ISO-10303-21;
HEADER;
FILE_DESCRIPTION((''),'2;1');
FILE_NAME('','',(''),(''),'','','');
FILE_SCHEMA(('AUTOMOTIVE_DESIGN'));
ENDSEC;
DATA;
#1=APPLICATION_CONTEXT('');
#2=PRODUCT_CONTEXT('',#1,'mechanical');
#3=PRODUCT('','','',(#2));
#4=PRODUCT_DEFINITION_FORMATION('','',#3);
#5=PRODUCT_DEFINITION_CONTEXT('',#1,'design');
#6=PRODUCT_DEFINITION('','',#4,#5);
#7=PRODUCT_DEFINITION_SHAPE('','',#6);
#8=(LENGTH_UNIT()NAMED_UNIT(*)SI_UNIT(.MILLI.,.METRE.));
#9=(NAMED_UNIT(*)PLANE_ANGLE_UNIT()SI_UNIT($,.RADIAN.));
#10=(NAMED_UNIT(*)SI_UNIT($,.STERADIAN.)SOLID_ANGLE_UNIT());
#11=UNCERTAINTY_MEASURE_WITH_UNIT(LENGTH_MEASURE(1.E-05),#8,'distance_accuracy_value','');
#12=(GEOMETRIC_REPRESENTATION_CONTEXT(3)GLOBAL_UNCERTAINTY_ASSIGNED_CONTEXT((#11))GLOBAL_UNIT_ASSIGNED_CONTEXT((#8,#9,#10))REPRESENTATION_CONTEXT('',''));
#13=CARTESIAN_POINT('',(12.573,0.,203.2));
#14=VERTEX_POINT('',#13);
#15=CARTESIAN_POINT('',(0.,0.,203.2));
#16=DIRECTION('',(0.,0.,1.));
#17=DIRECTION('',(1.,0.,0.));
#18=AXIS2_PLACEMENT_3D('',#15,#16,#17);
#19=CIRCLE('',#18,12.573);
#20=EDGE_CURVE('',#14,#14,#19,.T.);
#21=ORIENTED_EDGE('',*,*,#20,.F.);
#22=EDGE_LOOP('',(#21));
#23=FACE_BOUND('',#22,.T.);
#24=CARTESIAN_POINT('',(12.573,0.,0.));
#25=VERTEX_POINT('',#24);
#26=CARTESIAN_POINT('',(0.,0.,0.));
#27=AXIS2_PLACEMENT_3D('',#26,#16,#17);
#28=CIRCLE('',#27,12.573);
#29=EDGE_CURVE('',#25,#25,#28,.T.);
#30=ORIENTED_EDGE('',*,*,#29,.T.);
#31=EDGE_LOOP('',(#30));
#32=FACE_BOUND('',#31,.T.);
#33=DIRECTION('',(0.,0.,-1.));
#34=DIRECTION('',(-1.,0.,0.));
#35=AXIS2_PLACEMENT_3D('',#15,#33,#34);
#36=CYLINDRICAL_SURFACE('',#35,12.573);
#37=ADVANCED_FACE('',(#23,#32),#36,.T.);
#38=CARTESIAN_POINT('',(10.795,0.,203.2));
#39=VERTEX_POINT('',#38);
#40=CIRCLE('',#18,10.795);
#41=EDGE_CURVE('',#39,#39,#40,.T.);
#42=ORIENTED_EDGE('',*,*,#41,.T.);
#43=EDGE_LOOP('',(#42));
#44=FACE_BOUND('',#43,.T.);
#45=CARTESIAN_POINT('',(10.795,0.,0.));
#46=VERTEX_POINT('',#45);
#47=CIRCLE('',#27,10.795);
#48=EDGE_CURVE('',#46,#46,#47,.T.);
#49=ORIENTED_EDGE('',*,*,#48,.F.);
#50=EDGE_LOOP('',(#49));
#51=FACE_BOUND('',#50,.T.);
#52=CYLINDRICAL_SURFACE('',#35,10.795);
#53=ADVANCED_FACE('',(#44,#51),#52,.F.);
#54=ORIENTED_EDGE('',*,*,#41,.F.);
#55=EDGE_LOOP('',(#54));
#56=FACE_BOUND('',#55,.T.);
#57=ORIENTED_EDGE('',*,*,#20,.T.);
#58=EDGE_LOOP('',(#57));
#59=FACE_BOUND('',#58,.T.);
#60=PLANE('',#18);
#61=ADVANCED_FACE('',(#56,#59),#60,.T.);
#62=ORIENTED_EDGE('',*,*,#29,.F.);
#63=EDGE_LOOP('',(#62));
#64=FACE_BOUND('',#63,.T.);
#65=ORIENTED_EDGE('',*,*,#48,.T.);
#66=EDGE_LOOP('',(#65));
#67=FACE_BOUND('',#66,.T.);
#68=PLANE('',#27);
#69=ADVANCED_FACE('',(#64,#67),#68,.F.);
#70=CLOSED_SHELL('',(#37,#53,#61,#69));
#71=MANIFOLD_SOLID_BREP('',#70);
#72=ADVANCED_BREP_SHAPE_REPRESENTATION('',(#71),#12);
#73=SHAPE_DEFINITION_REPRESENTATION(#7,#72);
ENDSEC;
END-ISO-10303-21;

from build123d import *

# Parameters (mm, degrees)
SKETCH1_R           = 12.573
SKETCH1_R_2         = 10.795
BOSS_EXTRUDE1_DEPTH = 203.2


with BuildPart() as part:
    # Sketch1 → Boss-Extrude1 (new body)
    with BuildSketch(Plane.XY):
        Circle(SKETCH1_R)
        Circle(SKETCH1_R_2, mode=Mode.SUBTRACT)
    extrude(amount=BOSS_EXTRUDE1_DEPTH)


solid = part.part
